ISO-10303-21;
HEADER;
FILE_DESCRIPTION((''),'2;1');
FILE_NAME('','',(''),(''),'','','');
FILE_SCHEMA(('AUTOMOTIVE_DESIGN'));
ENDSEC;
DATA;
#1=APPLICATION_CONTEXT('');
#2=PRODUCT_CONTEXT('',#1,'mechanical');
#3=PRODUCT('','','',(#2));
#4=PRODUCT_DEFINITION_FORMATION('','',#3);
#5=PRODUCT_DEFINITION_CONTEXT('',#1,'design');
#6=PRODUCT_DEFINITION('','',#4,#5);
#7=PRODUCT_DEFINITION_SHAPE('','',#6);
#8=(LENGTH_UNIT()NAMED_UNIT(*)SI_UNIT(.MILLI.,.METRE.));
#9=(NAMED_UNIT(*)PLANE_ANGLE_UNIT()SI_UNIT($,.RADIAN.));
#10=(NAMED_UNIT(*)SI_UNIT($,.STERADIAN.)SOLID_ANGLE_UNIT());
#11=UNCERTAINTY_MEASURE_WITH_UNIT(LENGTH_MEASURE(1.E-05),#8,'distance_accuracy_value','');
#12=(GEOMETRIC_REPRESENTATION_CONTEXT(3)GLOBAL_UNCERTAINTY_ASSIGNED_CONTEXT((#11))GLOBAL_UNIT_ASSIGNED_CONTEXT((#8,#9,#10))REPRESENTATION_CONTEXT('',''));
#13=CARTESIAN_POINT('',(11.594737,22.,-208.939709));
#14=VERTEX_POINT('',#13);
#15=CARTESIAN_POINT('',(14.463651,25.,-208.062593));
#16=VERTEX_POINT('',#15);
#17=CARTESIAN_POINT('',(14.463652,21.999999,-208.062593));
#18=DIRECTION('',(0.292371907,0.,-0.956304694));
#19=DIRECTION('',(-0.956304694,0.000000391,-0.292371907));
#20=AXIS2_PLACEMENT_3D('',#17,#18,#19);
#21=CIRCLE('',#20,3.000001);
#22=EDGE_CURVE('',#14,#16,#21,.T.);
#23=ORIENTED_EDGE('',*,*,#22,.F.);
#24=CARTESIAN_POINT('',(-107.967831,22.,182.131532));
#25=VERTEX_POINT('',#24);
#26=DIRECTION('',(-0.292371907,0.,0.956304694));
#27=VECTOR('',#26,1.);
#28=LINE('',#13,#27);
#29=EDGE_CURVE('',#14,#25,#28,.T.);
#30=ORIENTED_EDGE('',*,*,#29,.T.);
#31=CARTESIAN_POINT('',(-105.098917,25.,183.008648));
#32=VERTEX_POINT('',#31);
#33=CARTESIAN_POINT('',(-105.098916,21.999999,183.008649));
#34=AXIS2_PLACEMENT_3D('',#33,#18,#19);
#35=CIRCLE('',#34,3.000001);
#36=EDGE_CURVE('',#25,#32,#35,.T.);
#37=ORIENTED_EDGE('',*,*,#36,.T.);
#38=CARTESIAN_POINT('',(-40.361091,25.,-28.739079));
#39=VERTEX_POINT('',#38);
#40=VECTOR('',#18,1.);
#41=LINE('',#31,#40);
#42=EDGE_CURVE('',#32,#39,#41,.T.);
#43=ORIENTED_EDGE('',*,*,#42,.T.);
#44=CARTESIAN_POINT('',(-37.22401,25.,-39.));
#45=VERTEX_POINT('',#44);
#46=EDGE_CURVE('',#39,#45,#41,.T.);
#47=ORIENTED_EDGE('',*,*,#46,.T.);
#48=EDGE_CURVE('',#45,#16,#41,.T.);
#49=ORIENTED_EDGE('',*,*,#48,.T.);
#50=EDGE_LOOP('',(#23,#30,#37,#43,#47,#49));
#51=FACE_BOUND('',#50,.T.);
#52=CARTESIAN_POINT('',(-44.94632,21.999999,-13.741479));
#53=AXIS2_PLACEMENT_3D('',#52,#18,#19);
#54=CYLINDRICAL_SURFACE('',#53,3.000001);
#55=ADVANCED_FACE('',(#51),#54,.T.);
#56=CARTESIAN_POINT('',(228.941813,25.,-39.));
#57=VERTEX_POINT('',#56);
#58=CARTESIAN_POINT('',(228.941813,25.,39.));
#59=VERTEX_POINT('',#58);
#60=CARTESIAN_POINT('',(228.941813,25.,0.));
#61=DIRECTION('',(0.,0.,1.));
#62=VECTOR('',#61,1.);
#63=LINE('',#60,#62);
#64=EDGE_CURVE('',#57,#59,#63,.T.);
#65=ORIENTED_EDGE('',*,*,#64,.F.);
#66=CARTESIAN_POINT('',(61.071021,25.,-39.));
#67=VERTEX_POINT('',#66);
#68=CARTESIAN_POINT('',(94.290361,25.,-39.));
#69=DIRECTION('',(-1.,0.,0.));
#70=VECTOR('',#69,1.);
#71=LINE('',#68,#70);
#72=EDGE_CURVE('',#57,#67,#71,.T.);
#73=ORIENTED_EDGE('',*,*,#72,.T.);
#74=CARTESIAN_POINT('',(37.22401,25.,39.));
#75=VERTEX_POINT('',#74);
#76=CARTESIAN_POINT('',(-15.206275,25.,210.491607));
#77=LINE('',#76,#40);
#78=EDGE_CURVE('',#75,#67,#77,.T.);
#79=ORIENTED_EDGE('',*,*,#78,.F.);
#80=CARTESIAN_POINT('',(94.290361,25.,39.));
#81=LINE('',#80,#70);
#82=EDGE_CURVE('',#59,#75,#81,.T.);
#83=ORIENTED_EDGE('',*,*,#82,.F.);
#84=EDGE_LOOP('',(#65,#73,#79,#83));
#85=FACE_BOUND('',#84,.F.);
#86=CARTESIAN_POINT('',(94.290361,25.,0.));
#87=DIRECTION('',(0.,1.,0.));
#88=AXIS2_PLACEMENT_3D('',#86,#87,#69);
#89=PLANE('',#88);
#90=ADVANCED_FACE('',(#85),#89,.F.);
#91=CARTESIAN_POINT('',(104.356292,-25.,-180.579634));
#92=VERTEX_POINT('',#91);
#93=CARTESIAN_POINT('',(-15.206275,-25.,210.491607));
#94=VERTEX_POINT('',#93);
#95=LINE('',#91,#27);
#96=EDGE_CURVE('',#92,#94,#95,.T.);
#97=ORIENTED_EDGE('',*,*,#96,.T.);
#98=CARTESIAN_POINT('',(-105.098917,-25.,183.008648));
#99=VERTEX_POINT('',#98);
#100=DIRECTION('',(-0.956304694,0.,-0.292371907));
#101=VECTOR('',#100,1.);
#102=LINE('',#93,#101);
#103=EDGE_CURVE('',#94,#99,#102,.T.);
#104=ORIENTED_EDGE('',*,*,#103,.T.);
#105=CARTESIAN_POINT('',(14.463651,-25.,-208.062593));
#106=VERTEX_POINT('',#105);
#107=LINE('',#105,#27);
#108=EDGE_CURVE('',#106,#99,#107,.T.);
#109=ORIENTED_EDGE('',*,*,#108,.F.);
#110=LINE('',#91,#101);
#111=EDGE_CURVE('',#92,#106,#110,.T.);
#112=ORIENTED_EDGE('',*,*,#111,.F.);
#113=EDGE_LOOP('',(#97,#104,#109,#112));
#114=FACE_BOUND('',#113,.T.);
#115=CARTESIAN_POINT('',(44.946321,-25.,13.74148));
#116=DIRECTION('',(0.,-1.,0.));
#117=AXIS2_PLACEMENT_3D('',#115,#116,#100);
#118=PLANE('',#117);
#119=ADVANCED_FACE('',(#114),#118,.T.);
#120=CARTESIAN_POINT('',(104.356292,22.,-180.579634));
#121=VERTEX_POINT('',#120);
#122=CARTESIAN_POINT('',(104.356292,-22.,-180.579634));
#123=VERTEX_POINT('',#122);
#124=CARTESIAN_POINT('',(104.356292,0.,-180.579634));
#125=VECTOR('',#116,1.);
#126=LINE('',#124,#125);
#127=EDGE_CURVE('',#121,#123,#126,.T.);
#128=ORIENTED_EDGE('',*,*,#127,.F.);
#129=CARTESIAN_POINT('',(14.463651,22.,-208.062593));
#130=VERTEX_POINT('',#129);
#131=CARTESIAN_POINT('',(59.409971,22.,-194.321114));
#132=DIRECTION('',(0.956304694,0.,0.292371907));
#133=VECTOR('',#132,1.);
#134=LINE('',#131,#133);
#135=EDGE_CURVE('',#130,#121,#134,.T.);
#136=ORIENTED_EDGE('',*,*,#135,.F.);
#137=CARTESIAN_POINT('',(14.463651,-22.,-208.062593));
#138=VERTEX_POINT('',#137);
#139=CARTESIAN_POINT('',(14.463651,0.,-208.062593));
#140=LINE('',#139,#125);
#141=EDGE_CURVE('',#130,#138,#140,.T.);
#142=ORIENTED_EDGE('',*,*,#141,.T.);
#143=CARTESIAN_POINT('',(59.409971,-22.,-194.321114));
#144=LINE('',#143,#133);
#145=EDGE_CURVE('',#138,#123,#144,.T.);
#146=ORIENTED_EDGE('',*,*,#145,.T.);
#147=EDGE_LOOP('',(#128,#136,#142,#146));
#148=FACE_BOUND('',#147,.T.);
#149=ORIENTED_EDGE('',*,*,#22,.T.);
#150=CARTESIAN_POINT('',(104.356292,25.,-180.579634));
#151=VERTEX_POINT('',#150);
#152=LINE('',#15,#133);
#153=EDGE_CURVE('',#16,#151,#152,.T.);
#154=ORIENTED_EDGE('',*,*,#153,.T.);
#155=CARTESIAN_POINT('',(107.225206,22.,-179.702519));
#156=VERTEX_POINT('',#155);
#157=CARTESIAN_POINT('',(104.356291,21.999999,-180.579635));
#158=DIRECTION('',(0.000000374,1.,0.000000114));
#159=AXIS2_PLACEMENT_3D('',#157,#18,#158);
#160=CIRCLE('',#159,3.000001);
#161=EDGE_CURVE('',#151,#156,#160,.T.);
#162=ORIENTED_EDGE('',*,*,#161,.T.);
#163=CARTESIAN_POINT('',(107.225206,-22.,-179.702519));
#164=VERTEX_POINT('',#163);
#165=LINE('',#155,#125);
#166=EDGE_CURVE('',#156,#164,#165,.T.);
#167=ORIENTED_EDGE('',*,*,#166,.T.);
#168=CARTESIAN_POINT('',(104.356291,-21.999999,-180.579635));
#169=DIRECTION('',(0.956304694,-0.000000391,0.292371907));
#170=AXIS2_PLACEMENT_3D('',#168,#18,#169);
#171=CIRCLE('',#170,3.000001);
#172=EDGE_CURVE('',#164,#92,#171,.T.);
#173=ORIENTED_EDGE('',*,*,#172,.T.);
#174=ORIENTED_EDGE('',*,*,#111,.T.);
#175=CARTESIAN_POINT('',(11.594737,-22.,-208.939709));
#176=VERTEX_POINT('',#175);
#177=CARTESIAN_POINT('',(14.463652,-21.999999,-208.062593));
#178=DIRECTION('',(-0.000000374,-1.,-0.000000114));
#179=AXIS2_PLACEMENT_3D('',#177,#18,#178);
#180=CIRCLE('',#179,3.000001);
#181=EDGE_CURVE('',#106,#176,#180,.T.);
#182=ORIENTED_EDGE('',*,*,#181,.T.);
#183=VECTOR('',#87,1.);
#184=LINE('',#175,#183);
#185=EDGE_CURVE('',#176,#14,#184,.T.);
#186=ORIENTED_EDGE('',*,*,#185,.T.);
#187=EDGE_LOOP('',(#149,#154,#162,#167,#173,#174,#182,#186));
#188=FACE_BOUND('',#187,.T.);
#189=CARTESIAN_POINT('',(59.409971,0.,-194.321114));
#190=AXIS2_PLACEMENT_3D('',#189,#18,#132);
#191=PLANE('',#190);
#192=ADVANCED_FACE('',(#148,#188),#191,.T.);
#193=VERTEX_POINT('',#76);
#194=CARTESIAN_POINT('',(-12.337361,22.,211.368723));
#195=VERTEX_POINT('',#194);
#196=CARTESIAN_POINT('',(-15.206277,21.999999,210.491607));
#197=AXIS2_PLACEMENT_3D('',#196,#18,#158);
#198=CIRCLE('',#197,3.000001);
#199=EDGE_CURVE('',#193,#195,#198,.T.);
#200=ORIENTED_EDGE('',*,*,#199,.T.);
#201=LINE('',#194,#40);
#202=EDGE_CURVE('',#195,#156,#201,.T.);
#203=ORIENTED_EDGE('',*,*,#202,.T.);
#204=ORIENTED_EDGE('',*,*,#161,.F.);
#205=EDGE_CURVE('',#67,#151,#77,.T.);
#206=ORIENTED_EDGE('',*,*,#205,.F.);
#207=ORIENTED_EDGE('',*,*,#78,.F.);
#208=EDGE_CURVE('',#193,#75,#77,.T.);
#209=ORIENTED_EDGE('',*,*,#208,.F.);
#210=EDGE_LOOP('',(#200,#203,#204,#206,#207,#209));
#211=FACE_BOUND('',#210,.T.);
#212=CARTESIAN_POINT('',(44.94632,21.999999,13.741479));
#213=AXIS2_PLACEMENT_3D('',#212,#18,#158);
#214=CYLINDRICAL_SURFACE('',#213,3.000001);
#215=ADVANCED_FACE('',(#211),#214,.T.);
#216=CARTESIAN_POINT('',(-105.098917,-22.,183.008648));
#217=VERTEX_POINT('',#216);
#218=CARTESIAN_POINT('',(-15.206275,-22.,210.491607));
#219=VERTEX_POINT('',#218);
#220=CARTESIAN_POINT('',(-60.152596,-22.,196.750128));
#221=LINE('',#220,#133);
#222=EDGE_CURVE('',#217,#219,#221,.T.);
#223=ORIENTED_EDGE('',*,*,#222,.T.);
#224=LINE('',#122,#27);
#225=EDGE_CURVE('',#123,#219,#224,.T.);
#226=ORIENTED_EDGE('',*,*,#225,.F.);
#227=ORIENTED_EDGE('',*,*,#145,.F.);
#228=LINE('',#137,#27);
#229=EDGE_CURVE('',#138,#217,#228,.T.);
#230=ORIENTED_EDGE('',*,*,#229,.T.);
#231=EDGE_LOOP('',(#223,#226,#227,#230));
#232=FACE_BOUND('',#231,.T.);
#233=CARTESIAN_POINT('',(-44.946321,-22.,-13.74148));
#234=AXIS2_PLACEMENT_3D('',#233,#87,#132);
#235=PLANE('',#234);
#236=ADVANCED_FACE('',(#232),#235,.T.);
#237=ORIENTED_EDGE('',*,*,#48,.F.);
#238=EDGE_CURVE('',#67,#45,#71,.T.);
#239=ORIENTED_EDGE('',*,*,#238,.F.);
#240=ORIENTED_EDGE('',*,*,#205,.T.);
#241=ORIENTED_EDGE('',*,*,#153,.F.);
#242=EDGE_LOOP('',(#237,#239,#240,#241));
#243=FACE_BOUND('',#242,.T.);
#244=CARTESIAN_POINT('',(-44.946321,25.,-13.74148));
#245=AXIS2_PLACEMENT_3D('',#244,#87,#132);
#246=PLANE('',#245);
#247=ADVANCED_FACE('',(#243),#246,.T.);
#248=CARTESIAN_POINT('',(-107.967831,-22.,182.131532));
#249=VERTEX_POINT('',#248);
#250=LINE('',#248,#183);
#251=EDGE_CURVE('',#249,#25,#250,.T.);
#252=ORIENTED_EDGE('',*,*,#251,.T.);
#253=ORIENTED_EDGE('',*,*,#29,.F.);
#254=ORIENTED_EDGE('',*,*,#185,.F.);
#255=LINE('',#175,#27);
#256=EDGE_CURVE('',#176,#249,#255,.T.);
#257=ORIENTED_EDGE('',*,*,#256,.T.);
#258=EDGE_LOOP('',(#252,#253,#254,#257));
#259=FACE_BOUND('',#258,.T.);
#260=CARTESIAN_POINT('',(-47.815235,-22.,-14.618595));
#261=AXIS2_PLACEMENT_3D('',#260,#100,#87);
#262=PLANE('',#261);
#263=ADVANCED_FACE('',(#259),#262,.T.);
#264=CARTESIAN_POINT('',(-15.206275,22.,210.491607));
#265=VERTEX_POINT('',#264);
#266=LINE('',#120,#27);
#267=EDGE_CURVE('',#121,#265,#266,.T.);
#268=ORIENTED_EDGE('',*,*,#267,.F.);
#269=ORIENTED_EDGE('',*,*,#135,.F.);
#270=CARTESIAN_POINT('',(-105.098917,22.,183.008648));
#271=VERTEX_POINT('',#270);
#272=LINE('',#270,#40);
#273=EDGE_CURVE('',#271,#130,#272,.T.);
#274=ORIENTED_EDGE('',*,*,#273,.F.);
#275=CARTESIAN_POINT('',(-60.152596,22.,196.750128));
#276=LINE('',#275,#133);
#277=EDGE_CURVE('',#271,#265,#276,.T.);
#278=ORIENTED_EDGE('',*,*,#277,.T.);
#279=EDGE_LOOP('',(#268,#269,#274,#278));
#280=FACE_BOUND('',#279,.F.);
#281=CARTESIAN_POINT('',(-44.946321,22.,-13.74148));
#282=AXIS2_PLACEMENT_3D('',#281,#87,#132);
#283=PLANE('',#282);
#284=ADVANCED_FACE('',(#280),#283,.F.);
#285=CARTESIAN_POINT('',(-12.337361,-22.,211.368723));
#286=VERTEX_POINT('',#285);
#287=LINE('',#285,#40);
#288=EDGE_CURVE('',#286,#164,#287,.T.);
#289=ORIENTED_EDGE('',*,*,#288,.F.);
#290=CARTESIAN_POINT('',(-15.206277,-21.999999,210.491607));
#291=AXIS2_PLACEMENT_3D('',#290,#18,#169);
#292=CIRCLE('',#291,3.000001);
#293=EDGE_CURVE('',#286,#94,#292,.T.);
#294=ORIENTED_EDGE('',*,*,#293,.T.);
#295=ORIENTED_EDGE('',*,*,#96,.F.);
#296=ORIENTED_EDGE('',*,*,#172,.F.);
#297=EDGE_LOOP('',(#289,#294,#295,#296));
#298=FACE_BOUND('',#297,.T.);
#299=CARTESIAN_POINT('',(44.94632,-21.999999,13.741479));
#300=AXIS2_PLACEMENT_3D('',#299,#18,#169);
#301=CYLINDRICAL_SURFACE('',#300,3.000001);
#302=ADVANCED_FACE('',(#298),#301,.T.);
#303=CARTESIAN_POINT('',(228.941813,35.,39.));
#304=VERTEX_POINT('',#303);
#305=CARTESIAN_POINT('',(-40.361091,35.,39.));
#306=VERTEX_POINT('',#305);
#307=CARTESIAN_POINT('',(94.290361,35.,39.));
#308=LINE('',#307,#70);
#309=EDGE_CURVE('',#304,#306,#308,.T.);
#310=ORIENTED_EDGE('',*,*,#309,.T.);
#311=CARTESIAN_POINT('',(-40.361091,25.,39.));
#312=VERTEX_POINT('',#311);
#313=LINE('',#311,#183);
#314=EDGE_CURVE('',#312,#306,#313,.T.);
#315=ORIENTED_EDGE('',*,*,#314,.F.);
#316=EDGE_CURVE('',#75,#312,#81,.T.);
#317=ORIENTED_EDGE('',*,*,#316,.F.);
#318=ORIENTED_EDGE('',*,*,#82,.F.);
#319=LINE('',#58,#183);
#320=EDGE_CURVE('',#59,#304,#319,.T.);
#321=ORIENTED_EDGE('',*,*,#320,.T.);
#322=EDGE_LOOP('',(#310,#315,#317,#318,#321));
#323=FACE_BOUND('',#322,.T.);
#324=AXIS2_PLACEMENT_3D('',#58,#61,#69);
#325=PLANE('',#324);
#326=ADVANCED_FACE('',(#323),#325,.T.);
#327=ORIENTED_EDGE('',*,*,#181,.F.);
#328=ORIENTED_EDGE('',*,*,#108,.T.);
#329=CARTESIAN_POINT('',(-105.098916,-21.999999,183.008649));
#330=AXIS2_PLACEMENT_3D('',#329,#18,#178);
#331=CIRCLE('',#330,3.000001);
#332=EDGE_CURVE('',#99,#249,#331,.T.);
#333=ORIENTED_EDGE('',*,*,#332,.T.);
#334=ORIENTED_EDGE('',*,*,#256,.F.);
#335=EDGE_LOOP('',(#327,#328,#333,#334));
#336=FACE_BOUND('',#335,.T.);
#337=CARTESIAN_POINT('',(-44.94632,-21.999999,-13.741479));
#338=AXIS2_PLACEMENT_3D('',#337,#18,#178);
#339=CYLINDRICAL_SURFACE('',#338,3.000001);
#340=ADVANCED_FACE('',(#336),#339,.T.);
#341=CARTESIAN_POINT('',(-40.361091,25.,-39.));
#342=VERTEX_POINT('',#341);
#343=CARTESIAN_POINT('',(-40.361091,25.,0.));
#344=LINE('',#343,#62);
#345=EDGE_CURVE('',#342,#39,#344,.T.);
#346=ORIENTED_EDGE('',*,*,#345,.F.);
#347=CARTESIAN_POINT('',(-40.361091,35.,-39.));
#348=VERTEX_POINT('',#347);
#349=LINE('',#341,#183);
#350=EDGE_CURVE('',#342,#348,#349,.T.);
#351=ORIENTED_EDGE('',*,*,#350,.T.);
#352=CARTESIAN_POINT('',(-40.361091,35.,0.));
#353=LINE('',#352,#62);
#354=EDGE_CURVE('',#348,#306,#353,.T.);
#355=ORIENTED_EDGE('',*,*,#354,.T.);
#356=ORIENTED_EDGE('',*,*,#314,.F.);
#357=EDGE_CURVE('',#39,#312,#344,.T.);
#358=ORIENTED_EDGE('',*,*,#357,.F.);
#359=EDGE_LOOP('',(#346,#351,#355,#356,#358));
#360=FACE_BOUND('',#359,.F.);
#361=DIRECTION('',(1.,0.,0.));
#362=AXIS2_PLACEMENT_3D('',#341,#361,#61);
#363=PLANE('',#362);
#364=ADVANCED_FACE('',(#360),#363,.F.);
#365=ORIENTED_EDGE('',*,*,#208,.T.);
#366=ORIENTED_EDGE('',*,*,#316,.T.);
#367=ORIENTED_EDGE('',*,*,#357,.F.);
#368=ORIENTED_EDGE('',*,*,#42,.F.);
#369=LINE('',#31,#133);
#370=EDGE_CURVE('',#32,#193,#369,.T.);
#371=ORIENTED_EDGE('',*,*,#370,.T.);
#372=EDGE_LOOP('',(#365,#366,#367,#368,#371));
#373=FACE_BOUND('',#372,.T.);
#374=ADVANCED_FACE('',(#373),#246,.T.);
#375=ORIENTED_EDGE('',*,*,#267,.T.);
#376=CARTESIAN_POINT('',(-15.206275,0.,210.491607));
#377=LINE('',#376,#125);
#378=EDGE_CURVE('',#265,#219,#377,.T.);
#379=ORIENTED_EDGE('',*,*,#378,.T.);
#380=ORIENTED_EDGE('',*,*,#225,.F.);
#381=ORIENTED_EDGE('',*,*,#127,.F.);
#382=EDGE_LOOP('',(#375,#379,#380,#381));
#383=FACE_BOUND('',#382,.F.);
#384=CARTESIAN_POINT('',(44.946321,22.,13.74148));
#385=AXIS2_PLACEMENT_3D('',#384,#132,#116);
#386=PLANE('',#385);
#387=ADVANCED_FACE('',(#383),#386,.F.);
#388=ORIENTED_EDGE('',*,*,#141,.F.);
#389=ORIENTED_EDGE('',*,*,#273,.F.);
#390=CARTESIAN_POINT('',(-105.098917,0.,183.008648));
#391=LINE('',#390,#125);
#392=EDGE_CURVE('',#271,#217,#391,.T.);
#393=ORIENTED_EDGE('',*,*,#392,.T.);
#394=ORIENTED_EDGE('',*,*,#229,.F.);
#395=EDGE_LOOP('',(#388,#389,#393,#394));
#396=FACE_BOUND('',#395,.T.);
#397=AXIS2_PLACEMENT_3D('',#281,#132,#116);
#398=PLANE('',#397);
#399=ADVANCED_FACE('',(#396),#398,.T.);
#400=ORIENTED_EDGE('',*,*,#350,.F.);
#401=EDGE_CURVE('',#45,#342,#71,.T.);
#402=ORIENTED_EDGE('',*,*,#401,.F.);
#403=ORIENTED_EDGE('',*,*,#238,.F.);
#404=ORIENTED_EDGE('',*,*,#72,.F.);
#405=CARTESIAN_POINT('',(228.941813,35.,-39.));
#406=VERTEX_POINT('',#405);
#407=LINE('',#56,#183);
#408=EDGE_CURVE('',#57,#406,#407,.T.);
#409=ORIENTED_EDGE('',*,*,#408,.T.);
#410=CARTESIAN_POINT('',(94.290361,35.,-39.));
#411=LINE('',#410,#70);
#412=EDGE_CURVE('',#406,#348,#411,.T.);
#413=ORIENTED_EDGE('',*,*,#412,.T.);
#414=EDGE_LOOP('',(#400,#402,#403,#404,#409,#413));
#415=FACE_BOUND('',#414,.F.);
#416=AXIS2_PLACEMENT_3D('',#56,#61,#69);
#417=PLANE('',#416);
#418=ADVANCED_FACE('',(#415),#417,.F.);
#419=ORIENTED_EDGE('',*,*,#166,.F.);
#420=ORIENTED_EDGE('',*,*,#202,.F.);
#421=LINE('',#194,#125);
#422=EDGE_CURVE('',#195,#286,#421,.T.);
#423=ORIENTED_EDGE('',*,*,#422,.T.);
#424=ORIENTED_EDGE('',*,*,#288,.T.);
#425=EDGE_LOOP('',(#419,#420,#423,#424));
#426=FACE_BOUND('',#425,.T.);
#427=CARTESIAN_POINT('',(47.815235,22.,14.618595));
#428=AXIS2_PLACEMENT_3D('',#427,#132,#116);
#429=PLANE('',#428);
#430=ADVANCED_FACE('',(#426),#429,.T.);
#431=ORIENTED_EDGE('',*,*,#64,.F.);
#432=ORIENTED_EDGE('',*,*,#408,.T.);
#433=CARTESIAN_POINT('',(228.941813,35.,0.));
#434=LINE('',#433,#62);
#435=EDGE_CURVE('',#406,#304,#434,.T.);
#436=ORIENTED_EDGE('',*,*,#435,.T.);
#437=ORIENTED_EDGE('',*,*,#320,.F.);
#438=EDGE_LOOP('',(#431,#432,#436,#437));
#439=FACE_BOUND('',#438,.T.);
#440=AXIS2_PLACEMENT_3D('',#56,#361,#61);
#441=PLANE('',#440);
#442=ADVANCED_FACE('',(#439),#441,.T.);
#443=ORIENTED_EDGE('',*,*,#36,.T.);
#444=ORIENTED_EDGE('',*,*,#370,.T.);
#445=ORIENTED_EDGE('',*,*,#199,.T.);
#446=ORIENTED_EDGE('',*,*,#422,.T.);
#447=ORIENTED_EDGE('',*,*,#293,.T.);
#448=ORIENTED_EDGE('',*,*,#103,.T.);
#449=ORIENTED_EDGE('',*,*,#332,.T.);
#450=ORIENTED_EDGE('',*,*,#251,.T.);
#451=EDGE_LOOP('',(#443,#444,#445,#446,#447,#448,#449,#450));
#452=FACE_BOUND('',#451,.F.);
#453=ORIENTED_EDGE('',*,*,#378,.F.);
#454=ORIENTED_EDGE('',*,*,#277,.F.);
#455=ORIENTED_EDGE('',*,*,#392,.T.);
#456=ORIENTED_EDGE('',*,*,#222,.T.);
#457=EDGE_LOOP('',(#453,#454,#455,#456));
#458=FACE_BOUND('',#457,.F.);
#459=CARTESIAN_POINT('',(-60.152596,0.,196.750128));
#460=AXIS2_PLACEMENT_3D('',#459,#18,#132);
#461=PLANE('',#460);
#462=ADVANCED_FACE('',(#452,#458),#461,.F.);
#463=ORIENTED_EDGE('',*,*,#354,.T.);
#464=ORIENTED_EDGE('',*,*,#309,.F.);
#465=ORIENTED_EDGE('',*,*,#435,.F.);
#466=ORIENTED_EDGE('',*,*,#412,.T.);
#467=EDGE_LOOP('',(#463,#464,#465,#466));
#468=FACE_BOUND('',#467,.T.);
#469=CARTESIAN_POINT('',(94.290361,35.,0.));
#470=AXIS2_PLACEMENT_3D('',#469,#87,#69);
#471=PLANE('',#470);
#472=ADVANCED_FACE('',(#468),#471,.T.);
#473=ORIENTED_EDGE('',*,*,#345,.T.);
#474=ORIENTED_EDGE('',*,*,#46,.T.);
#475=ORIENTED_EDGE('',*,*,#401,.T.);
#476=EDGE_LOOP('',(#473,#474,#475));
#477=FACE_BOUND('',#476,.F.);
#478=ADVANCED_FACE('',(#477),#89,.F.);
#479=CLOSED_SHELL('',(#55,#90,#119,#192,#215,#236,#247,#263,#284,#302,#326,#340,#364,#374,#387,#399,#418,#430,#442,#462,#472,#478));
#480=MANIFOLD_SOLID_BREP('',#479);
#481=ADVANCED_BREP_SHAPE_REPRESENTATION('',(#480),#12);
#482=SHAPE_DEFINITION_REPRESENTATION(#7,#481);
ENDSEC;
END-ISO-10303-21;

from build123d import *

# Parameters (mm, degrees)
F2_W          = 94
F2_H          = 44
F3_DEPTH      = 203.2
F3_DEPTH_BACK = 205.74
F4_W          = 269.302904
F4_H          = 78
F5_DEPTH      = 10


with BuildPart() as f3:
    # F2 (on face) → F3 (new body, two sides)
    with BuildSketch(Plane(origin=(0, 0, 0), x_dir=(0.956305, 0, 0.292372), z_dir=(0.292372, 0, -0.956305))) as f3_sk:
        with BuildLine():
            ThreePointArc((-50, -22), (-49.12132, -24.12132), (-47, -25))
            Line((-47, -25), (47, -25))
            ThreePointArc((47, -25), (49.12132, -24.12132), (50, -22))
            Line((50, -22), (50, 22))
            ThreePointArc((50, 22), (49.12132, 24.12132), (47, 25))
            Line((47, 25), (-47, 25))
            ThreePointArc((-47, 25), (-49.12132, 24.12132), (-50, 22))
            Line((-50, 22), (-50, -22))
        make_face()
        Rectangle(F2_W, F2_H, mode=Mode.SUBTRACT)
    extrude(amount=F3_DEPTH)
    extrude(f3_sk.sketch, amount=-F3_DEPTH_BACK)

    # F4 (on face) → F5 (join)
    with BuildSketch(Plane(origin=(0, 25, 0), x_dir=(-1, 0, 0), z_dir=(0, 1, 0))):
        with Locations((-94.290361, 0)):
            Rectangle(F4_W, F4_H)
    extrude(amount=F5_DEPTH)


solid = f3.part
